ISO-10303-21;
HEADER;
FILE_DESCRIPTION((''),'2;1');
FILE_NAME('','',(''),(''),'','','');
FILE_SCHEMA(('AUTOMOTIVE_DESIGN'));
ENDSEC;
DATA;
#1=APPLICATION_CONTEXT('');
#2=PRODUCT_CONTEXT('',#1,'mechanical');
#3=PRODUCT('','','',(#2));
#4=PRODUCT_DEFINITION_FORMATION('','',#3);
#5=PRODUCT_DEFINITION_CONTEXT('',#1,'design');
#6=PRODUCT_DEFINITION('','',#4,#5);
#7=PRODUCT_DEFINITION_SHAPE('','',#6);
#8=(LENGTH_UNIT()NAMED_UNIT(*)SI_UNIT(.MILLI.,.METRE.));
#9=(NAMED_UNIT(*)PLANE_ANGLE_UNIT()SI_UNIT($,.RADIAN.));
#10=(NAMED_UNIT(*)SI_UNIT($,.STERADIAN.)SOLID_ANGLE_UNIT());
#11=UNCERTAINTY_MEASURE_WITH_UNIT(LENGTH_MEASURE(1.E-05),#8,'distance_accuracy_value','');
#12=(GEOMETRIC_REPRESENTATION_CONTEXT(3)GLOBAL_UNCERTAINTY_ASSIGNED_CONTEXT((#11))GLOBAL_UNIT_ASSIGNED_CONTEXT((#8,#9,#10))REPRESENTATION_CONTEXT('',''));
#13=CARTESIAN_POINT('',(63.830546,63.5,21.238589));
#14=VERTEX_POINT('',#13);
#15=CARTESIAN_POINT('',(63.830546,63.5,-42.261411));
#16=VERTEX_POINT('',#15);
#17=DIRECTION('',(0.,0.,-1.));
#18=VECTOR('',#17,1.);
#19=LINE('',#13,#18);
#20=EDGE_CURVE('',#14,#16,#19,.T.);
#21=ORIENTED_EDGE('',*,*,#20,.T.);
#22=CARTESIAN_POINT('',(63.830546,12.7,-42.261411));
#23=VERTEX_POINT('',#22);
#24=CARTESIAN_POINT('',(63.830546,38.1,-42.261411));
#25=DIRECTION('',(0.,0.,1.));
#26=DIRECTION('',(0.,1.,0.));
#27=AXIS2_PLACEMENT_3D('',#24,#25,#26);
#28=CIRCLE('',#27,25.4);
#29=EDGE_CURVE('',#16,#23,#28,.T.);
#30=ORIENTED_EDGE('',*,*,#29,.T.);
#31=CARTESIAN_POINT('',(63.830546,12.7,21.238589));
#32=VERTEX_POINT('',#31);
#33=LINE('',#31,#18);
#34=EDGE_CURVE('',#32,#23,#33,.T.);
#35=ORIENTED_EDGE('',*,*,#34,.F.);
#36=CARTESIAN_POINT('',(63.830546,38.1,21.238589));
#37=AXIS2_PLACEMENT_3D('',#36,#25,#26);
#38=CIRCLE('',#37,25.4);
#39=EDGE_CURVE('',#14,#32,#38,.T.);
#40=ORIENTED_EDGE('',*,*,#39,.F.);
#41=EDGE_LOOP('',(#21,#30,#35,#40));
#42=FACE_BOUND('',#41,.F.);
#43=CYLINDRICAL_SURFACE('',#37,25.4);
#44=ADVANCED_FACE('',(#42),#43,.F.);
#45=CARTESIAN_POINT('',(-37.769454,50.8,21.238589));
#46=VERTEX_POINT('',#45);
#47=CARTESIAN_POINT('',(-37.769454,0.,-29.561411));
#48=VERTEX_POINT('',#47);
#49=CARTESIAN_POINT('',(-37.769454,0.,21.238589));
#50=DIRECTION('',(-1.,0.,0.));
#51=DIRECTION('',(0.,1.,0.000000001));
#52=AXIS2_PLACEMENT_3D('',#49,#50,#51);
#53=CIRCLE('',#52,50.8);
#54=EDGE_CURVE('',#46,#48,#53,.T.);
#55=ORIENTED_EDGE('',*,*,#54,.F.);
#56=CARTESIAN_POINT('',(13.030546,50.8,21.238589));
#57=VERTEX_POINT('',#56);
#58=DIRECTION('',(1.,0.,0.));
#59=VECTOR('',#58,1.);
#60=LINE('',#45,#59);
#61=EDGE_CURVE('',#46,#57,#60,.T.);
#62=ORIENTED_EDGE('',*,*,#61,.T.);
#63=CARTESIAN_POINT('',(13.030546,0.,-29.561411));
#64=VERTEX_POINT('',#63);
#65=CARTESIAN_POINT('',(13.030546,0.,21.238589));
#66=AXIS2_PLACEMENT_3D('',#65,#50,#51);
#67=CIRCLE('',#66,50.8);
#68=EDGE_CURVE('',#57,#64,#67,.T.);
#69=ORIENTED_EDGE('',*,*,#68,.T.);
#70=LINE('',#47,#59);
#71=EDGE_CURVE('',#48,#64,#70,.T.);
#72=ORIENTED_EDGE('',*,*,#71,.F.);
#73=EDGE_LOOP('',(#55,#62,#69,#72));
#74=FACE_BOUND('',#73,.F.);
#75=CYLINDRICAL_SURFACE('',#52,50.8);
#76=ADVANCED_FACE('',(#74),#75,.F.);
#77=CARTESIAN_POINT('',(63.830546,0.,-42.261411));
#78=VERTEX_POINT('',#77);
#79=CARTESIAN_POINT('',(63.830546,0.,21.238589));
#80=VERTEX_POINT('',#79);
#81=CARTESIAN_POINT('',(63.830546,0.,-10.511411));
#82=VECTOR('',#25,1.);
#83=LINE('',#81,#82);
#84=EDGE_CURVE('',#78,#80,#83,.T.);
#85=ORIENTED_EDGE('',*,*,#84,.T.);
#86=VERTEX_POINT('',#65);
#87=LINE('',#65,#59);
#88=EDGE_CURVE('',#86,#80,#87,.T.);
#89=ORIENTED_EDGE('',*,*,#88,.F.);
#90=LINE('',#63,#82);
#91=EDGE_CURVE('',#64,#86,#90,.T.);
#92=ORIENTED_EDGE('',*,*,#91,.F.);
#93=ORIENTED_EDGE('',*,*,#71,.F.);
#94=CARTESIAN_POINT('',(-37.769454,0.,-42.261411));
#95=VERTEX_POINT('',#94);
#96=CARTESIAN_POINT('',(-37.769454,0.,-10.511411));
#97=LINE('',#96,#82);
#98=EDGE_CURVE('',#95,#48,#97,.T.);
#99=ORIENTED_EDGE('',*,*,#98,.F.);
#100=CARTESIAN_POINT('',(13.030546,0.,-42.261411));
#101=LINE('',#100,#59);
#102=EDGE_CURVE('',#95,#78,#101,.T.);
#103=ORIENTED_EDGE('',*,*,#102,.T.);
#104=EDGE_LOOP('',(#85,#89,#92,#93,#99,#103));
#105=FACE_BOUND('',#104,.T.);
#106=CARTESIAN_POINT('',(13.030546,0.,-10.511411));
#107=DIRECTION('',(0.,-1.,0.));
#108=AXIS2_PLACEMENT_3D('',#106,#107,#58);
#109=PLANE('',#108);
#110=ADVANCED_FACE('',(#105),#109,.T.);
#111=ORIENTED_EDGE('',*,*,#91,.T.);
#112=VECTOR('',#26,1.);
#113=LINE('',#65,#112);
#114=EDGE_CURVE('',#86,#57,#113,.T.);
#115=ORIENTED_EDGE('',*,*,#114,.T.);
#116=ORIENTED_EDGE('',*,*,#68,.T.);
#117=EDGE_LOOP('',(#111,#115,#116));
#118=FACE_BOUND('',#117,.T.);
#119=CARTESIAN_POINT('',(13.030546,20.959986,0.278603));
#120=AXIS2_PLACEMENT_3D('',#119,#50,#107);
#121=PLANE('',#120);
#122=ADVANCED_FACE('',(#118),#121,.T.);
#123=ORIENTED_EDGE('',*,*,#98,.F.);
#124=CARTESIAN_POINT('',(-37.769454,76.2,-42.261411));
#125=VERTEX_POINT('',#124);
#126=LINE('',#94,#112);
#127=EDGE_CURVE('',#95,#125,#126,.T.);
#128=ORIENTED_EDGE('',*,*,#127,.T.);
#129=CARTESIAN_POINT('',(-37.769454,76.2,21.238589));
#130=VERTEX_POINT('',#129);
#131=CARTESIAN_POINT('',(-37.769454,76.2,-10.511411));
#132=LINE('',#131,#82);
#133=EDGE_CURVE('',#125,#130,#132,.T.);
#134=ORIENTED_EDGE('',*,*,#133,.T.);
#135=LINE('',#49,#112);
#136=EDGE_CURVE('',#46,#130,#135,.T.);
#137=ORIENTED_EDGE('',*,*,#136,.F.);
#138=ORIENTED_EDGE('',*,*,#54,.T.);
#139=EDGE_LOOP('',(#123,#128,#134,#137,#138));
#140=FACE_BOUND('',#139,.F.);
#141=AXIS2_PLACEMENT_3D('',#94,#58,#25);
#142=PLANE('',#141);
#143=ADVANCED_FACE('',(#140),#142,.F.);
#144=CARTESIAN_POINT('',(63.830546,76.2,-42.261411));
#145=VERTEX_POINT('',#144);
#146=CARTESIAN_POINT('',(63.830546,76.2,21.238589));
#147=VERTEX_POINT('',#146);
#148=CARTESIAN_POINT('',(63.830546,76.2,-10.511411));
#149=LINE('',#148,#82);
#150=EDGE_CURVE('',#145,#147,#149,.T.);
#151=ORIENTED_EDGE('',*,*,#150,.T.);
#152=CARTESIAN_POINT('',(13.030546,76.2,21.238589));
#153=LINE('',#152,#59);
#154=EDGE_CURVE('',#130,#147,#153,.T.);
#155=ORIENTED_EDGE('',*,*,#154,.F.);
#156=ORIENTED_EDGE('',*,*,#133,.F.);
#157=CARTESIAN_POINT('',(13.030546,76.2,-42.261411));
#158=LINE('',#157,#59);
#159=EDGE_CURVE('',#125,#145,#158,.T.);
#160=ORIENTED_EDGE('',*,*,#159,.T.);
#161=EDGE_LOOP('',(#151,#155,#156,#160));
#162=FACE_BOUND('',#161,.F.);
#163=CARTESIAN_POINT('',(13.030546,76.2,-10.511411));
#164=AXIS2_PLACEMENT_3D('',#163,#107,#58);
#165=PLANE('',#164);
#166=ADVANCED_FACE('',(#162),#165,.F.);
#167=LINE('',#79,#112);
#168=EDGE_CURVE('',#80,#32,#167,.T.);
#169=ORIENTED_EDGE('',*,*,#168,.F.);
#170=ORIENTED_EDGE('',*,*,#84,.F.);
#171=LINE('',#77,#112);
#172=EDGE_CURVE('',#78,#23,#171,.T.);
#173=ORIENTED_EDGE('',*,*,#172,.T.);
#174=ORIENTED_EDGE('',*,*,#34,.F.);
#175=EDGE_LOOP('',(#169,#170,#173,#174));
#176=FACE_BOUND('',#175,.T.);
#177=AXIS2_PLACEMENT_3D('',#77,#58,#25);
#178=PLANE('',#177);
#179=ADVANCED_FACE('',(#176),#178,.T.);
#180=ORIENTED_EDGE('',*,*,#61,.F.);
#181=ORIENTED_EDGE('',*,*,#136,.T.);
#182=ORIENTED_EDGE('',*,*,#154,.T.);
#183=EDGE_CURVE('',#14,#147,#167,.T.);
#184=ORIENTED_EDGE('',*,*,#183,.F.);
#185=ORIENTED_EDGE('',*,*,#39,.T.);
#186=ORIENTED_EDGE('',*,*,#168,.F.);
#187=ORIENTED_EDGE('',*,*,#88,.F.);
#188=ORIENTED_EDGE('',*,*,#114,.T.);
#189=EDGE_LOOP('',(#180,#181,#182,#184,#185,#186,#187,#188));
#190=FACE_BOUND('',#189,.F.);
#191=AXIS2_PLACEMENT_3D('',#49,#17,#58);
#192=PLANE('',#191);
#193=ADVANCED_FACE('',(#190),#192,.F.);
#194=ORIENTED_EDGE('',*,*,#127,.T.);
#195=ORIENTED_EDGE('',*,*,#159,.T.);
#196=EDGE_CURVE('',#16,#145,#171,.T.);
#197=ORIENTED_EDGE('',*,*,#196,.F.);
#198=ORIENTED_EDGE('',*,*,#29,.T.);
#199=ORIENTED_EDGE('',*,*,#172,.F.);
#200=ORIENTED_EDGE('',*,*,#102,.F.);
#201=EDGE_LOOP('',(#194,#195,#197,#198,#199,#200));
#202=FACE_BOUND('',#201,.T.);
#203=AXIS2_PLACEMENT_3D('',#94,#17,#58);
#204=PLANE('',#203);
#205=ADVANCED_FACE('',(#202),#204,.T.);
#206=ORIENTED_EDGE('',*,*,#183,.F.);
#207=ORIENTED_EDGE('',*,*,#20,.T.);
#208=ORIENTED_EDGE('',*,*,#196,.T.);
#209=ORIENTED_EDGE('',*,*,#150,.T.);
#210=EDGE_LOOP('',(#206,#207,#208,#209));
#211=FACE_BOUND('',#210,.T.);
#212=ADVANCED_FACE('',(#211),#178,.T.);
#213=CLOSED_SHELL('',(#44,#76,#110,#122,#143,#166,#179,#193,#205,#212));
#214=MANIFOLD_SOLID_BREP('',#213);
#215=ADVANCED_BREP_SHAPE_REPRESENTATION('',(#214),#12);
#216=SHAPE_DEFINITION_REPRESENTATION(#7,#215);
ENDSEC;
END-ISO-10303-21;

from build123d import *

# Parameters (mm, degrees)
F0_W     = 101.6
F0_H     = 63.5
F1_DEPTH = 76.2
F3_DEPTH = 63.501
F5_DEPTH = 50.8


with BuildPart() as f1:
    # F0 (on Front) → F1 (new body)
    with BuildSketch(Plane.XZ):
        with Locations((13.030546, -10.511411)):
            Rectangle(F0_W, F0_H)
    extrude(amount=-F1_DEPTH)

    # F2 (on face) → F3 (cut, through all)
    with BuildSketch(Plane.XY.offset(21.238589)):
        with BuildLine():
            Line((63.830546, 12.7), (63.830546, 63.5))
            ThreePointArc((63.830546, 63.5), (38.430546, 38.1), (63.830546, 12.7))
        make_face()
    extrude(amount=-F3_DEPTH, mode=Mode.SUBTRACT)

    # F4 (on face) → F5 (cut)
    with BuildSketch(Plane(origin=(-37.769454, 0, 0), x_dir=(0, -1, 0), z_dir=(-1, 0, 0))):
        with BuildLine():
            Line((0, 21.238589), (-50.8, 21.238589))
            ThreePointArc((-50.8, 21.238589), (-35.921024, -14.682436), (0, -29.561411))
            Line((0, -29.561411), (0, 21.238589))
        make_face()
    extrude(amount=-F5_DEPTH, mode=Mode.SUBTRACT)


solid = f1.part
